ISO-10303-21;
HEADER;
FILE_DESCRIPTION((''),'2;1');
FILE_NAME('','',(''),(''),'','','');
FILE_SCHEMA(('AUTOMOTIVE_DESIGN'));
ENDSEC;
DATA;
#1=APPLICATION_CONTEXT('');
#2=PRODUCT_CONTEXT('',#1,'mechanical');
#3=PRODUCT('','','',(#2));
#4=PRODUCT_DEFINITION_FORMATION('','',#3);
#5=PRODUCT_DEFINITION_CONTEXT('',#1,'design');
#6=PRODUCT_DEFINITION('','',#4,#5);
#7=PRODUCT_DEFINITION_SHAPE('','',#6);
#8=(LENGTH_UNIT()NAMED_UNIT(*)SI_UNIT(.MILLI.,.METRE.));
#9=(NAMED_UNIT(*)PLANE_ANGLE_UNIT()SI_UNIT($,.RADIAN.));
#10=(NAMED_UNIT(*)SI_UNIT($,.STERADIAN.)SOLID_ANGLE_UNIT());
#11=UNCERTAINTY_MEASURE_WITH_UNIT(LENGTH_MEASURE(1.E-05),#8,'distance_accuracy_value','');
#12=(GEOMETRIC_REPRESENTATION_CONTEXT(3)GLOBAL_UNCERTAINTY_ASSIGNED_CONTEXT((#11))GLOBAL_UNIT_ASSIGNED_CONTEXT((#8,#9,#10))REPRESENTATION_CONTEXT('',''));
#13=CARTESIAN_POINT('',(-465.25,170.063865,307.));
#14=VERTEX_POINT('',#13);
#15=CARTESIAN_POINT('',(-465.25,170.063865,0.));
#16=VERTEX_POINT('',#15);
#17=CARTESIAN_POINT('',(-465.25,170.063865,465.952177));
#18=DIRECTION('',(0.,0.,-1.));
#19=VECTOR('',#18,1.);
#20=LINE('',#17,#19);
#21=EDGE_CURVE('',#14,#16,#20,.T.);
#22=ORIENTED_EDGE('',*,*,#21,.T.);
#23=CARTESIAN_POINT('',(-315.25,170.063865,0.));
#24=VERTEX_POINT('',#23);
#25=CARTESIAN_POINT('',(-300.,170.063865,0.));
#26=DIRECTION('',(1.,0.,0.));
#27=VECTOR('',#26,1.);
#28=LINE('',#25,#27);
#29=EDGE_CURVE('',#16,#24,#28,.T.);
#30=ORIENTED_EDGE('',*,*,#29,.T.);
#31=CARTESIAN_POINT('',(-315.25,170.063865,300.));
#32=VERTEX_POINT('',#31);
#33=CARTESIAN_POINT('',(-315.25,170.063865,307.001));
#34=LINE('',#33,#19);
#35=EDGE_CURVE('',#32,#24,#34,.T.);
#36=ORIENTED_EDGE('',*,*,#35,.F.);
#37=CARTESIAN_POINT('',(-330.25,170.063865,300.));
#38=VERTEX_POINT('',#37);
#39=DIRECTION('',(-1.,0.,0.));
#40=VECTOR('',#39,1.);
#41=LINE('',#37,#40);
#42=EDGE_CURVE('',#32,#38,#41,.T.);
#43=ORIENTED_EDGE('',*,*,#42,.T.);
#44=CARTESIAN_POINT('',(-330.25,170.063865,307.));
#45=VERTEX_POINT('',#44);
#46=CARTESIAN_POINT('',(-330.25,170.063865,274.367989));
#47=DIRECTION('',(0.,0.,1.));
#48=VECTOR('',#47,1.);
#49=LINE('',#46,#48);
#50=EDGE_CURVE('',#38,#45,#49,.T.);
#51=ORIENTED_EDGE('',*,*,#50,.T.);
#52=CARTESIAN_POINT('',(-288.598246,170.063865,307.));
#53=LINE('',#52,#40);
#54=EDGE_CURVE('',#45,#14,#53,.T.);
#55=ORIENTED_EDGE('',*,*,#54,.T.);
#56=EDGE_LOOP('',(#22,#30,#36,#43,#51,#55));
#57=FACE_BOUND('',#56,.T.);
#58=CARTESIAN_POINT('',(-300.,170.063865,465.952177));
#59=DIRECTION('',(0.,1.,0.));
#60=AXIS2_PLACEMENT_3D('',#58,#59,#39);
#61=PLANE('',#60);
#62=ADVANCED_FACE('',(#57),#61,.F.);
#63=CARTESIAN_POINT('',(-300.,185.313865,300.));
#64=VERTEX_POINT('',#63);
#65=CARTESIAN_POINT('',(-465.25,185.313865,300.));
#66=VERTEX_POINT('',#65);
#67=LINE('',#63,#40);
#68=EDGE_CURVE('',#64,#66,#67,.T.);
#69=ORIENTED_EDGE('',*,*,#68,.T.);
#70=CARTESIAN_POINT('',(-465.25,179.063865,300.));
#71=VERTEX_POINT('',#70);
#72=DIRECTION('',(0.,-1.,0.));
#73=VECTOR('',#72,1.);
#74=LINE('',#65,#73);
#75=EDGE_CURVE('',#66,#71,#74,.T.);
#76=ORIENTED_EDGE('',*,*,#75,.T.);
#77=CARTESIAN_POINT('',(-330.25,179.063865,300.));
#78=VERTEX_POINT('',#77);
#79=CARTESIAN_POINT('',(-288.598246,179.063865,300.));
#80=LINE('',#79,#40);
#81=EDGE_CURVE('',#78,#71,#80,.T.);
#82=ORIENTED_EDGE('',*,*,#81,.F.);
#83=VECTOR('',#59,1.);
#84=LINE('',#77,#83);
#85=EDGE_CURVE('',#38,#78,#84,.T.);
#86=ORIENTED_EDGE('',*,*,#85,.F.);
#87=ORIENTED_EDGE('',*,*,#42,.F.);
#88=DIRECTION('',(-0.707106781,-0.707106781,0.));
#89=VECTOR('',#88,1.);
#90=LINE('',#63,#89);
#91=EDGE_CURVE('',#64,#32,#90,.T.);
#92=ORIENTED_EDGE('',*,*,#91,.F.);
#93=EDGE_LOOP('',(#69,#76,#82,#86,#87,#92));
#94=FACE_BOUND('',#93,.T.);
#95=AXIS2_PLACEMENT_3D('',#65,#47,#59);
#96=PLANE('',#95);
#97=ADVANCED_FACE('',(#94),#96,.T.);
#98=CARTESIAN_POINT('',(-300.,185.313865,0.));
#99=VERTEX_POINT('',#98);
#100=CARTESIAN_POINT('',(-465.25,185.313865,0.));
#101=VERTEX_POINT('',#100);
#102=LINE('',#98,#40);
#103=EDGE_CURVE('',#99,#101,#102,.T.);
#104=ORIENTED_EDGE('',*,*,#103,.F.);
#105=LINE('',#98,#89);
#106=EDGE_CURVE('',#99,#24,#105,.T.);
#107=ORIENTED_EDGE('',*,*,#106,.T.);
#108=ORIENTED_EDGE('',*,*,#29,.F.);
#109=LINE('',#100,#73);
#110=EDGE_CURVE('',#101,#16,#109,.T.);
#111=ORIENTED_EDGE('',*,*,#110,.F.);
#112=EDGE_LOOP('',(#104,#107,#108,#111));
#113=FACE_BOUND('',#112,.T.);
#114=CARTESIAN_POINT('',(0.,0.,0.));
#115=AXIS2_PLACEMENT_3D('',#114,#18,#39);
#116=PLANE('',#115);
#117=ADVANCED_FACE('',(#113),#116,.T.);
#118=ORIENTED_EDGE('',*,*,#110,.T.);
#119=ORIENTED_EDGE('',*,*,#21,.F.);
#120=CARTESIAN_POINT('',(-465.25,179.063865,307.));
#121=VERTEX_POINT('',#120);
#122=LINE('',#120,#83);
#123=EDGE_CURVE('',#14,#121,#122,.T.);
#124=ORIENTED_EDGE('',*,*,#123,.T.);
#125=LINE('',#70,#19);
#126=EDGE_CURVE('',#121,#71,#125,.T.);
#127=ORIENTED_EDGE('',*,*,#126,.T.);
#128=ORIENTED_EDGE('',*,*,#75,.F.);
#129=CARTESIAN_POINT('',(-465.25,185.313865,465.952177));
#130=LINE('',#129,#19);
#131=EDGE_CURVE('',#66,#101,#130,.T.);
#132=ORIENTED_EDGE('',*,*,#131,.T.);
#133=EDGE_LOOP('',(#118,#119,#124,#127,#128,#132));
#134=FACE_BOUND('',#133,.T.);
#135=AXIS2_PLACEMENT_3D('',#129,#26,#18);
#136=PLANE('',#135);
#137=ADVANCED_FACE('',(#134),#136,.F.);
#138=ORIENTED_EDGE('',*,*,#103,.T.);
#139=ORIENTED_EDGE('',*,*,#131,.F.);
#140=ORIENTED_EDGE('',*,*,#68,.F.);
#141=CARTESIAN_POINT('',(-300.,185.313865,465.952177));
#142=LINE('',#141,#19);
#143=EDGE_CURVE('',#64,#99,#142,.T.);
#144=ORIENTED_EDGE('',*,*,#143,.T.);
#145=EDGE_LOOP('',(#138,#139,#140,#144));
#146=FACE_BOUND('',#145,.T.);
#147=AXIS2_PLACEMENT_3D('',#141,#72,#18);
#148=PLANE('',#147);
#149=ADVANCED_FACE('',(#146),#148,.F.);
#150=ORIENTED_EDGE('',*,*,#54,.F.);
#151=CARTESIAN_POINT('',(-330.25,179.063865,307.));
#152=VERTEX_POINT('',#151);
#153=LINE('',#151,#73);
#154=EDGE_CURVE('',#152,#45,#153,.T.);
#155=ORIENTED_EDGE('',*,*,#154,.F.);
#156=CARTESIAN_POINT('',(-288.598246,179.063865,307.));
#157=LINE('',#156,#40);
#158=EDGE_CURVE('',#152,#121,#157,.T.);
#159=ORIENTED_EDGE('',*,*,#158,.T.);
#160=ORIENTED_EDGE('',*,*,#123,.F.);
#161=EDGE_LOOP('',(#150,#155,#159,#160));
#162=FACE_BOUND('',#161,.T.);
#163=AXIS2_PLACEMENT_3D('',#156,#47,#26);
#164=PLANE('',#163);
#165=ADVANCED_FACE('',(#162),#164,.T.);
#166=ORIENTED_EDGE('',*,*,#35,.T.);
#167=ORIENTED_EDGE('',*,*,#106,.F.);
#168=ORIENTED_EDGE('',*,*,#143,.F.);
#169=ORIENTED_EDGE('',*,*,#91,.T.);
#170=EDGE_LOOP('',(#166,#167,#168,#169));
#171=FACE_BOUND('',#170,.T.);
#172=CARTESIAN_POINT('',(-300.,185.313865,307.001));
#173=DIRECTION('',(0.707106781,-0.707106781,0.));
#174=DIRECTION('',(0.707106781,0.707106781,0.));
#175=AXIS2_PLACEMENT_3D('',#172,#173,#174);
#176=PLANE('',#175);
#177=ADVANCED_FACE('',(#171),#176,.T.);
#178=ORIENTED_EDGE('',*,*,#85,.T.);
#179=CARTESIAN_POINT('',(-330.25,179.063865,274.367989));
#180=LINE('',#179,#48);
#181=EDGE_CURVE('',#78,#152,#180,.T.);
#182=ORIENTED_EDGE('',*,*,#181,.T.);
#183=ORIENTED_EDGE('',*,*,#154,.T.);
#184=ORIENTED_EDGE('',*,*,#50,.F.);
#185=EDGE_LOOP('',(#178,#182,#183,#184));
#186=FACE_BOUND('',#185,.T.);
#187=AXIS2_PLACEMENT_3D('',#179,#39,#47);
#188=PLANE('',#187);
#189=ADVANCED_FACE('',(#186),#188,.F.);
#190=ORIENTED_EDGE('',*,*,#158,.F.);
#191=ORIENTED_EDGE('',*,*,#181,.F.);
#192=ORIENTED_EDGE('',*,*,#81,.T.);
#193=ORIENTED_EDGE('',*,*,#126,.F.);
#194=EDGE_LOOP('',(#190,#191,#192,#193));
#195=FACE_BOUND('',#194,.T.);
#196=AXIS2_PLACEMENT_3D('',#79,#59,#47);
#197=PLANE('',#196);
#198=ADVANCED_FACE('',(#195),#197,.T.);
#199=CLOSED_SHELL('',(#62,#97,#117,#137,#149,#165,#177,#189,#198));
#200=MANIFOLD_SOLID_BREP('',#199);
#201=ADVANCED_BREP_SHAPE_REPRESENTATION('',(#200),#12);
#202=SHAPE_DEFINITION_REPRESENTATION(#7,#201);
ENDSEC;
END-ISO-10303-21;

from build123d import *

# Parameters (mm, degrees)
ESQUISSE1_W                         = 165.25
ESQUISSE1_H                         = 15.25
BOSS_EXTRU_1_DEPTH                  = 300
ESQUISSE3_W                         = 7
ESQUISSE3_H                         = 9
BOSS_EXTRU_4_DEPTH                  = 165.25
ENL_V_MAT_EXTRU_2_REACH             = 302
ENL_V_MAT_EXTRU_2_DIRECTION_2_REACH = 9
ESQUISSE4_W                         = 24
ESQUISSE4_H                         = 9
ENL_V_MAT_EXTRU_3_DEPTH             = 7


with BuildPart() as part:
    # Esquisse1 → Boss.-Extru.1 (new body)
    with BuildSketch(Plane.XY):
        with Locations((-382.625, 177.688864629)):
            Rectangle(ESQUISSE1_W, ESQUISSE1_H)
    extrude(amount=BOSS_EXTRU_1_DEPTH)

    # Esquisse3 → Boss.-Extru.4 (add)
    with BuildSketch(Plane.ZY.offset(465.25)):
        with Locations((303.5, 174.563864629)):
            Rectangle(ESQUISSE3_W, ESQUISSE3_H)
    extrude(amount=-BOSS_EXTRU_4_DEPTH)

    # Esquisse2 → Enlèv. mat.-Extru.2 (cut, up to next)
    with BuildSketch(Plane.XY.offset(300), mode=Mode.PRIVATE) as enl_v_mat_extru_2_sk1:
        Polygon((-300, 185.313864629), (-315.25, 170.063864629), (-300, 170.063864629), align=None)
    enl_v_mat_extru_2_tool1 = extrude(enl_v_mat_extru_2_sk1.sketch, amount=-ENL_V_MAT_EXTRU_2_REACH, mode=Mode.PRIVATE) & part.part
    add(enl_v_mat_extru_2_tool1.solids().sort_by_distance((-305.083333, 175.147198, 300))[0], mode=Mode.SUBTRACT)

    # Esquisse2 → Enlèv. mat.-Extru.2 direction 2 (cut, up to next)
    with BuildSketch(Plane.XY.offset(300), mode=Mode.PRIVATE) as enl_v_mat_extru_2_direction_2_sk1:
        Polygon((-300, 185.313864629), (-315.25, 170.063864629), (-300, 170.063864629), align=None)
    enl_v_mat_extru_2_direction_2_tool1 = extrude(enl_v_mat_extru_2_direction_2_sk1.sketch, amount=ENL_V_MAT_EXTRU_2_DIRECTION_2_REACH, mode=Mode.PRIVATE) & part.part
    add(enl_v_mat_extru_2_direction_2_tool1.solids().sort_by_distance((-305.083333, 175.147198, 300))[0], mode=Mode.SUBTRACT)

    # Esquisse4 → Enlèv. mat.-Extru.3 (cut)
    with BuildSketch(Plane.XY.offset(307)):
        with Locations((-318.25, 174.563864629)):
            Rectangle(ESQUISSE4_W, ESQUISSE4_H)
    extrude(amount=-ENL_V_MAT_EXTRU_3_DEPTH, mode=Mode.SUBTRACT)


solid = part.part
